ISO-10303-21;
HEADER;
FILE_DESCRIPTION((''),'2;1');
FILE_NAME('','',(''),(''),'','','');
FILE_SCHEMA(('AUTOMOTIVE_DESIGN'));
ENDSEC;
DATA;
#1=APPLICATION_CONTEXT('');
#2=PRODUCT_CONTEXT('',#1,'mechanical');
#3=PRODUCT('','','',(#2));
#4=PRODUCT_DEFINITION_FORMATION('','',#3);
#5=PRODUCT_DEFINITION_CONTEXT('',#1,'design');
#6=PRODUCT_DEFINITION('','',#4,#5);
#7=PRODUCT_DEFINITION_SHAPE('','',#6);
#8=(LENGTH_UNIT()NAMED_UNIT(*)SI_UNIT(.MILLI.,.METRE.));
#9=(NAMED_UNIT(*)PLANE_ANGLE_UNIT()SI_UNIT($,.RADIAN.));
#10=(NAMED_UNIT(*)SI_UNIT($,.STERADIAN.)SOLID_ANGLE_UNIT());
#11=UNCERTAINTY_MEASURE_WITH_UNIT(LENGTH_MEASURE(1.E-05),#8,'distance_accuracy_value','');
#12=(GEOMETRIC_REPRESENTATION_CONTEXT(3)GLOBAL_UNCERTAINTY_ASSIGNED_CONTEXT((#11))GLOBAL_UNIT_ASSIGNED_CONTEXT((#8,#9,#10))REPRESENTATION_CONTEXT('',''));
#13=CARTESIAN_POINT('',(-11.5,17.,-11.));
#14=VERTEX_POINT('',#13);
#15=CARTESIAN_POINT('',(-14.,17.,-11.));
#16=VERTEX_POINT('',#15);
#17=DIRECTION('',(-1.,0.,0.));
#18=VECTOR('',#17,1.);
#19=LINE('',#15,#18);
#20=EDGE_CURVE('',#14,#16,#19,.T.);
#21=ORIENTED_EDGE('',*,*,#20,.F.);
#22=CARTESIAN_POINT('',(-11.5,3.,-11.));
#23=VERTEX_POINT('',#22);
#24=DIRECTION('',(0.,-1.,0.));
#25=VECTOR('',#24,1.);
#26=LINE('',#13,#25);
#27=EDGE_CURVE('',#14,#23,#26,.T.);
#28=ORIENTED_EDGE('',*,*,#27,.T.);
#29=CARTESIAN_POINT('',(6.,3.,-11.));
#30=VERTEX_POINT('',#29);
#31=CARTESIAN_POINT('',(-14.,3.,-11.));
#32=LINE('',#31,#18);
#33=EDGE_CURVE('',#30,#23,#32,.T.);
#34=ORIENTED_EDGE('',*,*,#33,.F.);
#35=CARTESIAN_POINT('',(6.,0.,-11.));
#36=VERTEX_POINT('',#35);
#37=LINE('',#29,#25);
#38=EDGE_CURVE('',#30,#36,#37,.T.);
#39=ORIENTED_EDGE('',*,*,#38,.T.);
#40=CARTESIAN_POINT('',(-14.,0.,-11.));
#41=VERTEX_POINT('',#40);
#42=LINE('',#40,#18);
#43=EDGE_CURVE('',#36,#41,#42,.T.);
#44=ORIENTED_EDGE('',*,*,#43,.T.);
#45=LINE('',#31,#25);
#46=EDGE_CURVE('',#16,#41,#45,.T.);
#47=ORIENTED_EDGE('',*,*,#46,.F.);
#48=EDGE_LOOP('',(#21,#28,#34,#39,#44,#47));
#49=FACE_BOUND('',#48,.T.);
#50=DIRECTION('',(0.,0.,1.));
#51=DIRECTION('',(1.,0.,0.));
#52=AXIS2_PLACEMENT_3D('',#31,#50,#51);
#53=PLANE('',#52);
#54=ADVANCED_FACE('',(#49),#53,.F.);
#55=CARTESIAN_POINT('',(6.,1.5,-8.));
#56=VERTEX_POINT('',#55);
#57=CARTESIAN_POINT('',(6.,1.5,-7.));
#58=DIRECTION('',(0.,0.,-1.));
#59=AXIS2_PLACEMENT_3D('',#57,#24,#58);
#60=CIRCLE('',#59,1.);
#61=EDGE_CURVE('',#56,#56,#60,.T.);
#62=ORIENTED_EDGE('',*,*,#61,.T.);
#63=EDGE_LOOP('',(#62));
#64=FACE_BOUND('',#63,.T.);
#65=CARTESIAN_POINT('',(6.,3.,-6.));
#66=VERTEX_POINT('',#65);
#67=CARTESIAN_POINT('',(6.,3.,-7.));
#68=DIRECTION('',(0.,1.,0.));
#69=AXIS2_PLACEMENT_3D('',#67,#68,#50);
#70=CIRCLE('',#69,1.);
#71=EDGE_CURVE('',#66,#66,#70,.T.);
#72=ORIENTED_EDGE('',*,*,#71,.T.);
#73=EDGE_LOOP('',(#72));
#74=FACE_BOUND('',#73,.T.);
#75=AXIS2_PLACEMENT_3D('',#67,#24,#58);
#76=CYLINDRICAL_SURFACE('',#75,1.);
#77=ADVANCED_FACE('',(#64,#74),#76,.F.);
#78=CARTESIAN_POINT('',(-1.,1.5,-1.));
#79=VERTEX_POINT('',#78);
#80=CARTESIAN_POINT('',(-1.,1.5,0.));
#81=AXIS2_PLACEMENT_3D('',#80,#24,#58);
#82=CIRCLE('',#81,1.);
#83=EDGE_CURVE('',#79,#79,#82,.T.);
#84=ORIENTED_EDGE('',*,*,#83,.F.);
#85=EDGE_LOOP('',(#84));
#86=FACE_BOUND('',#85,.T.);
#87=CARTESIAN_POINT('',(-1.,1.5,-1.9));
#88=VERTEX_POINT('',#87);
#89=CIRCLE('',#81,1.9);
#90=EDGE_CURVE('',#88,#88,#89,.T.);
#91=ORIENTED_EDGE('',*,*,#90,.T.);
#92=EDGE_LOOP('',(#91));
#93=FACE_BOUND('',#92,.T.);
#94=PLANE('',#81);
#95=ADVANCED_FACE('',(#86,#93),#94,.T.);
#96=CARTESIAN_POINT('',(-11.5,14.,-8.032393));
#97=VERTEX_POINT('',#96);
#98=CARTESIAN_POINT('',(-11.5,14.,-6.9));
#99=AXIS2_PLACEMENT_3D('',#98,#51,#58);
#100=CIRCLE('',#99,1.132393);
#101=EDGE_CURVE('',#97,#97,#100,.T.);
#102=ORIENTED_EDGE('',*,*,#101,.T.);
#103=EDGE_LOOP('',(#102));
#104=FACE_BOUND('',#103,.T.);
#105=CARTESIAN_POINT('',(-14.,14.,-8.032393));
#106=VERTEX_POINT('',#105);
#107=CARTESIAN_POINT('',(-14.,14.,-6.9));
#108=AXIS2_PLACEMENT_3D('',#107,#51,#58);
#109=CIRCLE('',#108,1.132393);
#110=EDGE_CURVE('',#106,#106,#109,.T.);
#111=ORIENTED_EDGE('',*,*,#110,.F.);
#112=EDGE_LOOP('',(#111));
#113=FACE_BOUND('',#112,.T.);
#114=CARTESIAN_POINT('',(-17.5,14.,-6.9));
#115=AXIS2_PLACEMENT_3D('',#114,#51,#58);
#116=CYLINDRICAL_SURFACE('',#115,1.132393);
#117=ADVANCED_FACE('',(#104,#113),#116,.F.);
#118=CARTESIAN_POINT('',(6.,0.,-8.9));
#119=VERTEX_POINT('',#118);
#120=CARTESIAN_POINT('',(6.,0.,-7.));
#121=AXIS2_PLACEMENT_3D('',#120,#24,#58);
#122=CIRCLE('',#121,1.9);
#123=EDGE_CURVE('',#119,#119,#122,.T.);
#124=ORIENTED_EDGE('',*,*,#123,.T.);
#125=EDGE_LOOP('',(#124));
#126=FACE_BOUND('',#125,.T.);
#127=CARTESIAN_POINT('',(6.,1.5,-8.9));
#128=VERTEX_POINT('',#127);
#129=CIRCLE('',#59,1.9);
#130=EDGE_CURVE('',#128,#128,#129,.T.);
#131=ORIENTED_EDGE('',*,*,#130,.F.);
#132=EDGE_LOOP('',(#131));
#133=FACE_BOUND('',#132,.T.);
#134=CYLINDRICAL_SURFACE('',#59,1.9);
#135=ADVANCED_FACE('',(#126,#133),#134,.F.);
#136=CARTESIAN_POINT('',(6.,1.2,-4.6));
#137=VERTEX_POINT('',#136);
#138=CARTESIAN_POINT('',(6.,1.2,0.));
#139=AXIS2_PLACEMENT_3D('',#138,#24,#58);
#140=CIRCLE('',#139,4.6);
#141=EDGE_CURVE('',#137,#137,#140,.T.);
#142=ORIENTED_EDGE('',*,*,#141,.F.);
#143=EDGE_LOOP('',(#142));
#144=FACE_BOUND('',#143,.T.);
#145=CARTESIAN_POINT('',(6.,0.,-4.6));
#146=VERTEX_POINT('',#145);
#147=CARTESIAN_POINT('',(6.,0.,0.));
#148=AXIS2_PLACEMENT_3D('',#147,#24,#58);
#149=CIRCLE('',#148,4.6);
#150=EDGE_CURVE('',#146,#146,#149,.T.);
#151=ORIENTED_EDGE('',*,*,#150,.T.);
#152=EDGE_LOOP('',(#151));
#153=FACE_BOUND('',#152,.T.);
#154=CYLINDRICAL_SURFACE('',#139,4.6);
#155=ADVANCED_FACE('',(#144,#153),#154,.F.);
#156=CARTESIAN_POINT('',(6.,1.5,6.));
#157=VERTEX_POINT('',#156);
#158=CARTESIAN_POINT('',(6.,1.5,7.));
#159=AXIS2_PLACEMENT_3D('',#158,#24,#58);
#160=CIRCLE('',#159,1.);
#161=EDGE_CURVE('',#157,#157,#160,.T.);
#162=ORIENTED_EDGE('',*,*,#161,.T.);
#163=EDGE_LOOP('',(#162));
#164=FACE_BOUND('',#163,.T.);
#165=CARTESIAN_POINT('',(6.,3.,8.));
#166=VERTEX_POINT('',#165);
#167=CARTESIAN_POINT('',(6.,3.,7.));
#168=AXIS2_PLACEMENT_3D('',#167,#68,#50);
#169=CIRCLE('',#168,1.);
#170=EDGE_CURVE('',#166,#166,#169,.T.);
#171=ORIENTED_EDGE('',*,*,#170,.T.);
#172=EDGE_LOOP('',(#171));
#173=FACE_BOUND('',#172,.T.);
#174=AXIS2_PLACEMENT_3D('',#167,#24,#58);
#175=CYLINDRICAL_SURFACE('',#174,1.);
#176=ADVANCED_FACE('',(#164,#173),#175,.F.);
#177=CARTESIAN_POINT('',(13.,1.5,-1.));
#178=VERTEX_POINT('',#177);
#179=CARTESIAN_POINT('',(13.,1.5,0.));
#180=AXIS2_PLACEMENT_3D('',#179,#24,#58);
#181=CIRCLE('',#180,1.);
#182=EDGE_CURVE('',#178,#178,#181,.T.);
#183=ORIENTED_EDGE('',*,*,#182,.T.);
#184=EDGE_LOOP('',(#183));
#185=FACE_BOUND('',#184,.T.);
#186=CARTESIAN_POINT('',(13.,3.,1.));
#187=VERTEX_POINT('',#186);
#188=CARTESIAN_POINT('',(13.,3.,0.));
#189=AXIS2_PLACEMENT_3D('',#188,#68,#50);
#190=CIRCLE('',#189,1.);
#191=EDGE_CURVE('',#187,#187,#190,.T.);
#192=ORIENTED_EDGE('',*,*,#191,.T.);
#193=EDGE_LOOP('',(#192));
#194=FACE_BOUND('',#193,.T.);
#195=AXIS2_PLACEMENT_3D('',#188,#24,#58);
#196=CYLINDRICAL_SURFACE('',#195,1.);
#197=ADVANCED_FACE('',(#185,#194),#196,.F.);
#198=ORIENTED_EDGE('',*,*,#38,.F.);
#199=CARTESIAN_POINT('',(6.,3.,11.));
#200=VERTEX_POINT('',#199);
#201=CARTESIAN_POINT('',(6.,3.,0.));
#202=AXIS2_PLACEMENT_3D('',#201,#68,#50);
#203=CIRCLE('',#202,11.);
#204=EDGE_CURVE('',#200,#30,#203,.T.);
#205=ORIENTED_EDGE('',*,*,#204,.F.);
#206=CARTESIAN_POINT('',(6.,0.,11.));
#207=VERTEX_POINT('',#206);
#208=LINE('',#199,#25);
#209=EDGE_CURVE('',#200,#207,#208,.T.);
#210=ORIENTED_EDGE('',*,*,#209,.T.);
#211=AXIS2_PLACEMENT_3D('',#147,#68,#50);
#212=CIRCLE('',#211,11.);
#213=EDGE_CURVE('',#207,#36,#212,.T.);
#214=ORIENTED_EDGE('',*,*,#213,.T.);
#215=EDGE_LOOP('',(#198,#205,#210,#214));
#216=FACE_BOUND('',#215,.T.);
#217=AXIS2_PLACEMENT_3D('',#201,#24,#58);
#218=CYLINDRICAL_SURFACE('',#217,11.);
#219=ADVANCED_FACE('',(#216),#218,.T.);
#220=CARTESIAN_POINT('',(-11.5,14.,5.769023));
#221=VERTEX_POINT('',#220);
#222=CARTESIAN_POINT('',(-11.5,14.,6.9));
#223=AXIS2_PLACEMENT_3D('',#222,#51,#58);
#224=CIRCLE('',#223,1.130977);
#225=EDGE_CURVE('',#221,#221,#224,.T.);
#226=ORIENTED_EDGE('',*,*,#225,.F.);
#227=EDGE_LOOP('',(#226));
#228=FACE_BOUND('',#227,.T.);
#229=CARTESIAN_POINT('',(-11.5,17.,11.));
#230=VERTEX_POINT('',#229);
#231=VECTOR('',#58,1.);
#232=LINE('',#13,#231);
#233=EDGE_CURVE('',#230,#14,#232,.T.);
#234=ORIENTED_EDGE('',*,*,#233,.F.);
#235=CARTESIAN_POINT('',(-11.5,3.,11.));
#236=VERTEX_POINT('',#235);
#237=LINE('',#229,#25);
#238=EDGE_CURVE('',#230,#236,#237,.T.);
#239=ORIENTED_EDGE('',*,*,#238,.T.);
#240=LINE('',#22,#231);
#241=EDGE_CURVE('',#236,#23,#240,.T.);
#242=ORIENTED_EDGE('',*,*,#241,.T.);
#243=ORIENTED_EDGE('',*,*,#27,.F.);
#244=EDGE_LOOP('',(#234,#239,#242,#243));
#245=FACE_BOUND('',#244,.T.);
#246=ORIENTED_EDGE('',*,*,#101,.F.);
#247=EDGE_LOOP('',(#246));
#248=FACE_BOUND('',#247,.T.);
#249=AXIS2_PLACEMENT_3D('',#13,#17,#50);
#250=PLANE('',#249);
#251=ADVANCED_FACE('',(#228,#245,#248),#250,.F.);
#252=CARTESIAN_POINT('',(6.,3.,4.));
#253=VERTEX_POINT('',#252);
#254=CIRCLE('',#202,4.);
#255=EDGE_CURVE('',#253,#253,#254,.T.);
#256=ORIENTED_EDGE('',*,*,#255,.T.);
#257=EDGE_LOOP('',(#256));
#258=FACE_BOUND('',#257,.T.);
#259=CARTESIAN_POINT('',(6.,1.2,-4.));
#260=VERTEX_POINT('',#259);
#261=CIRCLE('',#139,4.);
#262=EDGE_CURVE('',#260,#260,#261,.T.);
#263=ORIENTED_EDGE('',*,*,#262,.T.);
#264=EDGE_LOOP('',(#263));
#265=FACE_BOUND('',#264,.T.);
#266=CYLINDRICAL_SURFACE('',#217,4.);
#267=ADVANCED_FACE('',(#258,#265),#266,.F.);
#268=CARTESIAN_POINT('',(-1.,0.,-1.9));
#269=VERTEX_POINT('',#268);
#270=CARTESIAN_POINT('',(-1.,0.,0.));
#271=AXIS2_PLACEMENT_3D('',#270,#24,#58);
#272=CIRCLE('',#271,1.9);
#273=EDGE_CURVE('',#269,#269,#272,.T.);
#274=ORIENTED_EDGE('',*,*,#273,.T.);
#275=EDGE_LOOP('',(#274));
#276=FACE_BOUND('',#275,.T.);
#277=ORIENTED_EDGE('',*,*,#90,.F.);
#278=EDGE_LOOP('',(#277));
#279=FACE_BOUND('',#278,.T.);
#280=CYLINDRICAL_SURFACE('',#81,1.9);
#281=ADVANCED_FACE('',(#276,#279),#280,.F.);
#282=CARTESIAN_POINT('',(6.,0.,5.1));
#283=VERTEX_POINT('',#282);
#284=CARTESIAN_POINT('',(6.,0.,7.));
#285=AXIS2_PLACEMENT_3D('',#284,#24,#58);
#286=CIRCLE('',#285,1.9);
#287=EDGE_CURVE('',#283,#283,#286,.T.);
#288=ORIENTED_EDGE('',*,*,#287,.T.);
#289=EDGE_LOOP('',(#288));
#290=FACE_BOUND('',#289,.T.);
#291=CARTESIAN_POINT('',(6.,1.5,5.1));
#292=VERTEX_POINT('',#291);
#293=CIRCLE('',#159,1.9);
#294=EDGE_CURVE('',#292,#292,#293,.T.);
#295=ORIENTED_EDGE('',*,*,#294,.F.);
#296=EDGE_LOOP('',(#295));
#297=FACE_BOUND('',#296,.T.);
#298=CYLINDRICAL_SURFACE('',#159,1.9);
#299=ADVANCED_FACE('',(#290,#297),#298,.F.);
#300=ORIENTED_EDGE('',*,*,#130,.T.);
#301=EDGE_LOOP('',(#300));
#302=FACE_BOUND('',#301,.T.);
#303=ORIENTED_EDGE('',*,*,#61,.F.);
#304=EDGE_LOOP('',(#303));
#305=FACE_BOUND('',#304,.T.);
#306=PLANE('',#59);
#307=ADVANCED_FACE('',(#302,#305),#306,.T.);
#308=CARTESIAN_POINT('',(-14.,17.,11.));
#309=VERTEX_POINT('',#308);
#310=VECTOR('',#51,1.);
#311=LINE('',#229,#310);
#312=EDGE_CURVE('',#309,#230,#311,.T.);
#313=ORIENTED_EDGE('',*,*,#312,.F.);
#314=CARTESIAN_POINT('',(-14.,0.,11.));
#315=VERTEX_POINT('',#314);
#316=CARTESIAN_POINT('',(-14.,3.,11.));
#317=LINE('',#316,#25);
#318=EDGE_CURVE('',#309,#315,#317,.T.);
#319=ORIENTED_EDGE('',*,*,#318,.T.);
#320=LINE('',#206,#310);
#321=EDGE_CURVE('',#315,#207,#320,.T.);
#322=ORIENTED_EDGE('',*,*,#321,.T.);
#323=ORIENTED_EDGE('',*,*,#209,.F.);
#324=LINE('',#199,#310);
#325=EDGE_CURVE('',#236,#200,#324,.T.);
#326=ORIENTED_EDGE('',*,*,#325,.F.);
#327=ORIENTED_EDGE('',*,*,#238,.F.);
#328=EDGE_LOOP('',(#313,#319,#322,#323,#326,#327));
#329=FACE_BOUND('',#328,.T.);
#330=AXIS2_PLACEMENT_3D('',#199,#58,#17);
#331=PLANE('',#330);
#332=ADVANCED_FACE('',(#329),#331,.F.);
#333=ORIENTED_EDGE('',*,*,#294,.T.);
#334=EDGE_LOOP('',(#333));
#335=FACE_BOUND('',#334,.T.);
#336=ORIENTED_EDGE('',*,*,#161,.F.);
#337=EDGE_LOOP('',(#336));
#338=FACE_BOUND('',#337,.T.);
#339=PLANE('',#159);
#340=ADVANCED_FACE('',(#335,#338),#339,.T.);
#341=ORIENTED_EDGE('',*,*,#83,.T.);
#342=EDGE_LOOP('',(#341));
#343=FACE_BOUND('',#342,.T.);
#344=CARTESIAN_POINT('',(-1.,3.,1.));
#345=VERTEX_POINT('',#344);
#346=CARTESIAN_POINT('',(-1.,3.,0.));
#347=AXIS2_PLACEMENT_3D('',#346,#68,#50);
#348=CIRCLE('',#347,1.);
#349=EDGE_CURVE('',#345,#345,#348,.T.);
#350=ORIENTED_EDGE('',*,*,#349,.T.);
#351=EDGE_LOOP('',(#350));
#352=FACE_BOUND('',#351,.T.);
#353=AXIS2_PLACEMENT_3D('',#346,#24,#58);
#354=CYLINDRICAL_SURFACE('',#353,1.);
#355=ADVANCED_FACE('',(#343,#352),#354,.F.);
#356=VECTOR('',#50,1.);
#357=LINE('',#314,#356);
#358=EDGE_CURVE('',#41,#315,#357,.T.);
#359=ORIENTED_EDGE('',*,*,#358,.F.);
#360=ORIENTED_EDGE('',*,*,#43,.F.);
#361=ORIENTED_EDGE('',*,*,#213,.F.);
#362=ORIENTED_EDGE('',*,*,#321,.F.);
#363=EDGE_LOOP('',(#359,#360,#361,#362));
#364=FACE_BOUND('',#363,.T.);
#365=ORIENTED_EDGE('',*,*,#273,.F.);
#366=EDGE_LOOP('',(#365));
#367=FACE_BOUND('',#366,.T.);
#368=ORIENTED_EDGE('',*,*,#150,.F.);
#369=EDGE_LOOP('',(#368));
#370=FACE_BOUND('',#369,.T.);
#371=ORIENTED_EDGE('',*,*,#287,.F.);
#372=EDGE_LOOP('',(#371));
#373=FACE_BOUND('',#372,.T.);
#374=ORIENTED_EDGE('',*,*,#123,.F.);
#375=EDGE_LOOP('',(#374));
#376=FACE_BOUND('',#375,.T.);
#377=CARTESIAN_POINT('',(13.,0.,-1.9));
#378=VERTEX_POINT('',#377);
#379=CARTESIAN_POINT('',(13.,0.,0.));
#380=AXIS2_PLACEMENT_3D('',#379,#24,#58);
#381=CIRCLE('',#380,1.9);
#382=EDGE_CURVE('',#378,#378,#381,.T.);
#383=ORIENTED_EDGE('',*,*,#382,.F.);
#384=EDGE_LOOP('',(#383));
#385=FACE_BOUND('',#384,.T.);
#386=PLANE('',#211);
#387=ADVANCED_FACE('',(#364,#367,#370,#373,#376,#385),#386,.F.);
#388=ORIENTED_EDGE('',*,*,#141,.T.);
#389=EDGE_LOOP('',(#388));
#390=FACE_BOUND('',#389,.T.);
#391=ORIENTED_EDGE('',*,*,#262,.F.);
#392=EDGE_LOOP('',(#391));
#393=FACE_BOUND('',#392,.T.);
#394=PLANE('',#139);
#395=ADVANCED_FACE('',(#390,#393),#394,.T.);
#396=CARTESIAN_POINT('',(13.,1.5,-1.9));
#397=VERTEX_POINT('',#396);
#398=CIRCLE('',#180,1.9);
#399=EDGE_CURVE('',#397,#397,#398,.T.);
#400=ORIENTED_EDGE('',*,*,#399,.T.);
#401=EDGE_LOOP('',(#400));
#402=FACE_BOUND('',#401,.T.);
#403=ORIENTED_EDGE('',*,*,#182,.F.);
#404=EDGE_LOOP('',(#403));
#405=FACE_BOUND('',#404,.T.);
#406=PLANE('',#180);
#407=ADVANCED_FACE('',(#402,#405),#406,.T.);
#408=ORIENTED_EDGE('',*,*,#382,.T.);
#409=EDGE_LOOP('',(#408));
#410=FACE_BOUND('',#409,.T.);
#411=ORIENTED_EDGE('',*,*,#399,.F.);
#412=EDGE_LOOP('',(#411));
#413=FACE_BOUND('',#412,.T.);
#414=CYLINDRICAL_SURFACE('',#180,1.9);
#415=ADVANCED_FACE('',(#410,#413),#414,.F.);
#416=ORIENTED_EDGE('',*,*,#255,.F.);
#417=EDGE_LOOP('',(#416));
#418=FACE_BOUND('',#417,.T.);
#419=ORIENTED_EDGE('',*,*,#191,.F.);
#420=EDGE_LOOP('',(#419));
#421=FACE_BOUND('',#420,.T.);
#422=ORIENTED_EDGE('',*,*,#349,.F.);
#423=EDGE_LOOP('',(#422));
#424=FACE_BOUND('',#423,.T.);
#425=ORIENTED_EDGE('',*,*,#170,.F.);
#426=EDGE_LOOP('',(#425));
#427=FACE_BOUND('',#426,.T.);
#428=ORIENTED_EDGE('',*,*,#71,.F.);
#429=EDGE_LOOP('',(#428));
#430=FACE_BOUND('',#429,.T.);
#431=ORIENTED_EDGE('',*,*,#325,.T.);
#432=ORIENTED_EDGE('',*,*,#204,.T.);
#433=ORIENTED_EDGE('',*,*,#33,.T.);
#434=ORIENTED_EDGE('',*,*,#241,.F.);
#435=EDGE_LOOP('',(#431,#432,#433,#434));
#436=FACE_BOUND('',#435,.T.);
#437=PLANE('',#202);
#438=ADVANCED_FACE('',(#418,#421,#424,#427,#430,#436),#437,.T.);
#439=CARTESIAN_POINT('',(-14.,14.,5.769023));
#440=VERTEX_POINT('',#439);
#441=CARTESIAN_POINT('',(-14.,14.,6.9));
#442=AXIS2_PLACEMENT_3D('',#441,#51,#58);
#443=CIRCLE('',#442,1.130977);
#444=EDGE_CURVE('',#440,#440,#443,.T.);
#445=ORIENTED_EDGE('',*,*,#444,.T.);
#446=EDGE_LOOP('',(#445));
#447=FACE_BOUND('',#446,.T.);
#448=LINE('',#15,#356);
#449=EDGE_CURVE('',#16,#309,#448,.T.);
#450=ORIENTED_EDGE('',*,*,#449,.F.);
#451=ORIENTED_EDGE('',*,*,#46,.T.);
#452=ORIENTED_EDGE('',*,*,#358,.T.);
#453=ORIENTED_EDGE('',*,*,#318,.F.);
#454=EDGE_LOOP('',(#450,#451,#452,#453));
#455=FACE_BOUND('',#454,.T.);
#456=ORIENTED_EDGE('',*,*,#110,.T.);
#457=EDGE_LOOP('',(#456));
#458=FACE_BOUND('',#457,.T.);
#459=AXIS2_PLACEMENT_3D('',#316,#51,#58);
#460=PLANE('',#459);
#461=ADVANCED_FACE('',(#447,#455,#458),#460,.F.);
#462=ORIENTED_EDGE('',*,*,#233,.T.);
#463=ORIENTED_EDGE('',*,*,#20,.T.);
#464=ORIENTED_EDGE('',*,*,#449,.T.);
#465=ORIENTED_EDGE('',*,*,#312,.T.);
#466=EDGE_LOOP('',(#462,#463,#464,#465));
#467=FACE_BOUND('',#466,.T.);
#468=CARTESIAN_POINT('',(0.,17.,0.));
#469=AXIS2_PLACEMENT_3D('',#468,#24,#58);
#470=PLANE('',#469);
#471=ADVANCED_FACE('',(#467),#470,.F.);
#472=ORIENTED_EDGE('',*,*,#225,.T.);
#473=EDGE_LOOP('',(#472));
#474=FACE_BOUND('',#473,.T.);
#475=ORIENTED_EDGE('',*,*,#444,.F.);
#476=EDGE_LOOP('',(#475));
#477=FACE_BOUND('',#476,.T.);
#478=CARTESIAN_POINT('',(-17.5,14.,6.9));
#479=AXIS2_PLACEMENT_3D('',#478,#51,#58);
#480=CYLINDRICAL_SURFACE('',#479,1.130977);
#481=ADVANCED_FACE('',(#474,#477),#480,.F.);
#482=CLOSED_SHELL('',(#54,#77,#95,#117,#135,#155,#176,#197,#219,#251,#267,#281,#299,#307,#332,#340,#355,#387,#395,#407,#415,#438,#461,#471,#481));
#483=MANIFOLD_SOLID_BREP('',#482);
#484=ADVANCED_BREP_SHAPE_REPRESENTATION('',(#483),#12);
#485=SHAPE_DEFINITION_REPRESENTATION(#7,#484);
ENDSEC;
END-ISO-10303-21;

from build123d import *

# Parameters (mm, degrees)
SKETCH1_R           = 1
SKETCH1_R_2         = 4
BOSS_EXTRUDE1_DEPTH = 3
SKETCH2_W           = 2.5
SKETCH2_H           = 22
BOSS_EXTRUDE2_DEPTH = 14
SKETCH3_R           = 1.132393425
SKETCH3_R_2         = 1.130977438
CUT_EXTRUDE1_DEPTH  = 6
SKETCH4_R           = 4.6
CUT_EXTRUDE2_DEPTH  = 1.2
SKETCH5_R           = 1.9
CUT_EXTRUDE3_DEPTH  = 1.5


with BuildPart() as part:
    # Sketch1 → Boss-Extrude1 (new body)
    with BuildSketch(Plane(origin=(0, 0, 0), x_dir=(1, 0, 0), z_dir=(0, 1, 0))):
        with BuildLine():
            Line((-14, -11), (-14, 11))
            Line((-14, 11), (6, 11))
            ThreePointArc((6, 11), (17, 0), (6, -11))
            Line((6, -11), (-14, -11))
        make_face()
        with Locations((6, -7)):
            Circle(SKETCH1_R, mode=Mode.SUBTRACT)
        with Locations((-1, 0)):
            Circle(SKETCH1_R, mode=Mode.SUBTRACT)
        with Locations((6, 0)):
            Circle(SKETCH1_R_2, mode=Mode.SUBTRACT)
        with Locations((13, 0)):
            Circle(SKETCH1_R, mode=Mode.SUBTRACT)
        with Locations((6, 7)):
            Circle(SKETCH1_R, mode=Mode.SUBTRACT)
    extrude(amount=BOSS_EXTRUDE1_DEPTH)

    # Sketch2 → Boss-Extrude2 (add)
    with BuildSketch(Plane(origin=(0, 3, 0), x_dir=(1, 0, 0), z_dir=(0, 1, 0))):
        with Locations((-12.75, 0)):
            Rectangle(SKETCH2_W, SKETCH2_H)
    extrude(amount=BOSS_EXTRUDE2_DEPTH)

    # Sketch3 → Cut-Extrude1 (cut)
    with BuildSketch(Plane(origin=(-11.5, 0, 0), x_dir=(0, 0, -1), z_dir=(1, 0, 0))):
        with Locations((6.9, 14)):
            Circle(SKETCH3_R)
        with Locations((-6.9, 14)):
            Circle(SKETCH3_R_2)
    extrude(amount=-CUT_EXTRUDE1_DEPTH, mode=Mode.SUBTRACT)

    # Sketch4 → Cut-Extrude2 (cut)
    with BuildSketch(Plane.XZ):
        with Locations((6, 0)):
            Circle(SKETCH4_R)
    extrude(amount=-CUT_EXTRUDE2_DEPTH, mode=Mode.SUBTRACT)

    # Sketch5 → Cut-Extrude3 (cut)
    with BuildSketch(Plane.XZ):
        with Locations((13, 0)):
            Circle(SKETCH5_R)
        with Locations((6, -7)):
            Circle(SKETCH5_R)
        with Locations((-1, 0)):
            Circle(SKETCH5_R)
        with Locations((6, 7)):
            Circle(SKETCH5_R)
    extrude(amount=-CUT_EXTRUDE3_DEPTH, mode=Mode.SUBTRACT)


solid = part.part
